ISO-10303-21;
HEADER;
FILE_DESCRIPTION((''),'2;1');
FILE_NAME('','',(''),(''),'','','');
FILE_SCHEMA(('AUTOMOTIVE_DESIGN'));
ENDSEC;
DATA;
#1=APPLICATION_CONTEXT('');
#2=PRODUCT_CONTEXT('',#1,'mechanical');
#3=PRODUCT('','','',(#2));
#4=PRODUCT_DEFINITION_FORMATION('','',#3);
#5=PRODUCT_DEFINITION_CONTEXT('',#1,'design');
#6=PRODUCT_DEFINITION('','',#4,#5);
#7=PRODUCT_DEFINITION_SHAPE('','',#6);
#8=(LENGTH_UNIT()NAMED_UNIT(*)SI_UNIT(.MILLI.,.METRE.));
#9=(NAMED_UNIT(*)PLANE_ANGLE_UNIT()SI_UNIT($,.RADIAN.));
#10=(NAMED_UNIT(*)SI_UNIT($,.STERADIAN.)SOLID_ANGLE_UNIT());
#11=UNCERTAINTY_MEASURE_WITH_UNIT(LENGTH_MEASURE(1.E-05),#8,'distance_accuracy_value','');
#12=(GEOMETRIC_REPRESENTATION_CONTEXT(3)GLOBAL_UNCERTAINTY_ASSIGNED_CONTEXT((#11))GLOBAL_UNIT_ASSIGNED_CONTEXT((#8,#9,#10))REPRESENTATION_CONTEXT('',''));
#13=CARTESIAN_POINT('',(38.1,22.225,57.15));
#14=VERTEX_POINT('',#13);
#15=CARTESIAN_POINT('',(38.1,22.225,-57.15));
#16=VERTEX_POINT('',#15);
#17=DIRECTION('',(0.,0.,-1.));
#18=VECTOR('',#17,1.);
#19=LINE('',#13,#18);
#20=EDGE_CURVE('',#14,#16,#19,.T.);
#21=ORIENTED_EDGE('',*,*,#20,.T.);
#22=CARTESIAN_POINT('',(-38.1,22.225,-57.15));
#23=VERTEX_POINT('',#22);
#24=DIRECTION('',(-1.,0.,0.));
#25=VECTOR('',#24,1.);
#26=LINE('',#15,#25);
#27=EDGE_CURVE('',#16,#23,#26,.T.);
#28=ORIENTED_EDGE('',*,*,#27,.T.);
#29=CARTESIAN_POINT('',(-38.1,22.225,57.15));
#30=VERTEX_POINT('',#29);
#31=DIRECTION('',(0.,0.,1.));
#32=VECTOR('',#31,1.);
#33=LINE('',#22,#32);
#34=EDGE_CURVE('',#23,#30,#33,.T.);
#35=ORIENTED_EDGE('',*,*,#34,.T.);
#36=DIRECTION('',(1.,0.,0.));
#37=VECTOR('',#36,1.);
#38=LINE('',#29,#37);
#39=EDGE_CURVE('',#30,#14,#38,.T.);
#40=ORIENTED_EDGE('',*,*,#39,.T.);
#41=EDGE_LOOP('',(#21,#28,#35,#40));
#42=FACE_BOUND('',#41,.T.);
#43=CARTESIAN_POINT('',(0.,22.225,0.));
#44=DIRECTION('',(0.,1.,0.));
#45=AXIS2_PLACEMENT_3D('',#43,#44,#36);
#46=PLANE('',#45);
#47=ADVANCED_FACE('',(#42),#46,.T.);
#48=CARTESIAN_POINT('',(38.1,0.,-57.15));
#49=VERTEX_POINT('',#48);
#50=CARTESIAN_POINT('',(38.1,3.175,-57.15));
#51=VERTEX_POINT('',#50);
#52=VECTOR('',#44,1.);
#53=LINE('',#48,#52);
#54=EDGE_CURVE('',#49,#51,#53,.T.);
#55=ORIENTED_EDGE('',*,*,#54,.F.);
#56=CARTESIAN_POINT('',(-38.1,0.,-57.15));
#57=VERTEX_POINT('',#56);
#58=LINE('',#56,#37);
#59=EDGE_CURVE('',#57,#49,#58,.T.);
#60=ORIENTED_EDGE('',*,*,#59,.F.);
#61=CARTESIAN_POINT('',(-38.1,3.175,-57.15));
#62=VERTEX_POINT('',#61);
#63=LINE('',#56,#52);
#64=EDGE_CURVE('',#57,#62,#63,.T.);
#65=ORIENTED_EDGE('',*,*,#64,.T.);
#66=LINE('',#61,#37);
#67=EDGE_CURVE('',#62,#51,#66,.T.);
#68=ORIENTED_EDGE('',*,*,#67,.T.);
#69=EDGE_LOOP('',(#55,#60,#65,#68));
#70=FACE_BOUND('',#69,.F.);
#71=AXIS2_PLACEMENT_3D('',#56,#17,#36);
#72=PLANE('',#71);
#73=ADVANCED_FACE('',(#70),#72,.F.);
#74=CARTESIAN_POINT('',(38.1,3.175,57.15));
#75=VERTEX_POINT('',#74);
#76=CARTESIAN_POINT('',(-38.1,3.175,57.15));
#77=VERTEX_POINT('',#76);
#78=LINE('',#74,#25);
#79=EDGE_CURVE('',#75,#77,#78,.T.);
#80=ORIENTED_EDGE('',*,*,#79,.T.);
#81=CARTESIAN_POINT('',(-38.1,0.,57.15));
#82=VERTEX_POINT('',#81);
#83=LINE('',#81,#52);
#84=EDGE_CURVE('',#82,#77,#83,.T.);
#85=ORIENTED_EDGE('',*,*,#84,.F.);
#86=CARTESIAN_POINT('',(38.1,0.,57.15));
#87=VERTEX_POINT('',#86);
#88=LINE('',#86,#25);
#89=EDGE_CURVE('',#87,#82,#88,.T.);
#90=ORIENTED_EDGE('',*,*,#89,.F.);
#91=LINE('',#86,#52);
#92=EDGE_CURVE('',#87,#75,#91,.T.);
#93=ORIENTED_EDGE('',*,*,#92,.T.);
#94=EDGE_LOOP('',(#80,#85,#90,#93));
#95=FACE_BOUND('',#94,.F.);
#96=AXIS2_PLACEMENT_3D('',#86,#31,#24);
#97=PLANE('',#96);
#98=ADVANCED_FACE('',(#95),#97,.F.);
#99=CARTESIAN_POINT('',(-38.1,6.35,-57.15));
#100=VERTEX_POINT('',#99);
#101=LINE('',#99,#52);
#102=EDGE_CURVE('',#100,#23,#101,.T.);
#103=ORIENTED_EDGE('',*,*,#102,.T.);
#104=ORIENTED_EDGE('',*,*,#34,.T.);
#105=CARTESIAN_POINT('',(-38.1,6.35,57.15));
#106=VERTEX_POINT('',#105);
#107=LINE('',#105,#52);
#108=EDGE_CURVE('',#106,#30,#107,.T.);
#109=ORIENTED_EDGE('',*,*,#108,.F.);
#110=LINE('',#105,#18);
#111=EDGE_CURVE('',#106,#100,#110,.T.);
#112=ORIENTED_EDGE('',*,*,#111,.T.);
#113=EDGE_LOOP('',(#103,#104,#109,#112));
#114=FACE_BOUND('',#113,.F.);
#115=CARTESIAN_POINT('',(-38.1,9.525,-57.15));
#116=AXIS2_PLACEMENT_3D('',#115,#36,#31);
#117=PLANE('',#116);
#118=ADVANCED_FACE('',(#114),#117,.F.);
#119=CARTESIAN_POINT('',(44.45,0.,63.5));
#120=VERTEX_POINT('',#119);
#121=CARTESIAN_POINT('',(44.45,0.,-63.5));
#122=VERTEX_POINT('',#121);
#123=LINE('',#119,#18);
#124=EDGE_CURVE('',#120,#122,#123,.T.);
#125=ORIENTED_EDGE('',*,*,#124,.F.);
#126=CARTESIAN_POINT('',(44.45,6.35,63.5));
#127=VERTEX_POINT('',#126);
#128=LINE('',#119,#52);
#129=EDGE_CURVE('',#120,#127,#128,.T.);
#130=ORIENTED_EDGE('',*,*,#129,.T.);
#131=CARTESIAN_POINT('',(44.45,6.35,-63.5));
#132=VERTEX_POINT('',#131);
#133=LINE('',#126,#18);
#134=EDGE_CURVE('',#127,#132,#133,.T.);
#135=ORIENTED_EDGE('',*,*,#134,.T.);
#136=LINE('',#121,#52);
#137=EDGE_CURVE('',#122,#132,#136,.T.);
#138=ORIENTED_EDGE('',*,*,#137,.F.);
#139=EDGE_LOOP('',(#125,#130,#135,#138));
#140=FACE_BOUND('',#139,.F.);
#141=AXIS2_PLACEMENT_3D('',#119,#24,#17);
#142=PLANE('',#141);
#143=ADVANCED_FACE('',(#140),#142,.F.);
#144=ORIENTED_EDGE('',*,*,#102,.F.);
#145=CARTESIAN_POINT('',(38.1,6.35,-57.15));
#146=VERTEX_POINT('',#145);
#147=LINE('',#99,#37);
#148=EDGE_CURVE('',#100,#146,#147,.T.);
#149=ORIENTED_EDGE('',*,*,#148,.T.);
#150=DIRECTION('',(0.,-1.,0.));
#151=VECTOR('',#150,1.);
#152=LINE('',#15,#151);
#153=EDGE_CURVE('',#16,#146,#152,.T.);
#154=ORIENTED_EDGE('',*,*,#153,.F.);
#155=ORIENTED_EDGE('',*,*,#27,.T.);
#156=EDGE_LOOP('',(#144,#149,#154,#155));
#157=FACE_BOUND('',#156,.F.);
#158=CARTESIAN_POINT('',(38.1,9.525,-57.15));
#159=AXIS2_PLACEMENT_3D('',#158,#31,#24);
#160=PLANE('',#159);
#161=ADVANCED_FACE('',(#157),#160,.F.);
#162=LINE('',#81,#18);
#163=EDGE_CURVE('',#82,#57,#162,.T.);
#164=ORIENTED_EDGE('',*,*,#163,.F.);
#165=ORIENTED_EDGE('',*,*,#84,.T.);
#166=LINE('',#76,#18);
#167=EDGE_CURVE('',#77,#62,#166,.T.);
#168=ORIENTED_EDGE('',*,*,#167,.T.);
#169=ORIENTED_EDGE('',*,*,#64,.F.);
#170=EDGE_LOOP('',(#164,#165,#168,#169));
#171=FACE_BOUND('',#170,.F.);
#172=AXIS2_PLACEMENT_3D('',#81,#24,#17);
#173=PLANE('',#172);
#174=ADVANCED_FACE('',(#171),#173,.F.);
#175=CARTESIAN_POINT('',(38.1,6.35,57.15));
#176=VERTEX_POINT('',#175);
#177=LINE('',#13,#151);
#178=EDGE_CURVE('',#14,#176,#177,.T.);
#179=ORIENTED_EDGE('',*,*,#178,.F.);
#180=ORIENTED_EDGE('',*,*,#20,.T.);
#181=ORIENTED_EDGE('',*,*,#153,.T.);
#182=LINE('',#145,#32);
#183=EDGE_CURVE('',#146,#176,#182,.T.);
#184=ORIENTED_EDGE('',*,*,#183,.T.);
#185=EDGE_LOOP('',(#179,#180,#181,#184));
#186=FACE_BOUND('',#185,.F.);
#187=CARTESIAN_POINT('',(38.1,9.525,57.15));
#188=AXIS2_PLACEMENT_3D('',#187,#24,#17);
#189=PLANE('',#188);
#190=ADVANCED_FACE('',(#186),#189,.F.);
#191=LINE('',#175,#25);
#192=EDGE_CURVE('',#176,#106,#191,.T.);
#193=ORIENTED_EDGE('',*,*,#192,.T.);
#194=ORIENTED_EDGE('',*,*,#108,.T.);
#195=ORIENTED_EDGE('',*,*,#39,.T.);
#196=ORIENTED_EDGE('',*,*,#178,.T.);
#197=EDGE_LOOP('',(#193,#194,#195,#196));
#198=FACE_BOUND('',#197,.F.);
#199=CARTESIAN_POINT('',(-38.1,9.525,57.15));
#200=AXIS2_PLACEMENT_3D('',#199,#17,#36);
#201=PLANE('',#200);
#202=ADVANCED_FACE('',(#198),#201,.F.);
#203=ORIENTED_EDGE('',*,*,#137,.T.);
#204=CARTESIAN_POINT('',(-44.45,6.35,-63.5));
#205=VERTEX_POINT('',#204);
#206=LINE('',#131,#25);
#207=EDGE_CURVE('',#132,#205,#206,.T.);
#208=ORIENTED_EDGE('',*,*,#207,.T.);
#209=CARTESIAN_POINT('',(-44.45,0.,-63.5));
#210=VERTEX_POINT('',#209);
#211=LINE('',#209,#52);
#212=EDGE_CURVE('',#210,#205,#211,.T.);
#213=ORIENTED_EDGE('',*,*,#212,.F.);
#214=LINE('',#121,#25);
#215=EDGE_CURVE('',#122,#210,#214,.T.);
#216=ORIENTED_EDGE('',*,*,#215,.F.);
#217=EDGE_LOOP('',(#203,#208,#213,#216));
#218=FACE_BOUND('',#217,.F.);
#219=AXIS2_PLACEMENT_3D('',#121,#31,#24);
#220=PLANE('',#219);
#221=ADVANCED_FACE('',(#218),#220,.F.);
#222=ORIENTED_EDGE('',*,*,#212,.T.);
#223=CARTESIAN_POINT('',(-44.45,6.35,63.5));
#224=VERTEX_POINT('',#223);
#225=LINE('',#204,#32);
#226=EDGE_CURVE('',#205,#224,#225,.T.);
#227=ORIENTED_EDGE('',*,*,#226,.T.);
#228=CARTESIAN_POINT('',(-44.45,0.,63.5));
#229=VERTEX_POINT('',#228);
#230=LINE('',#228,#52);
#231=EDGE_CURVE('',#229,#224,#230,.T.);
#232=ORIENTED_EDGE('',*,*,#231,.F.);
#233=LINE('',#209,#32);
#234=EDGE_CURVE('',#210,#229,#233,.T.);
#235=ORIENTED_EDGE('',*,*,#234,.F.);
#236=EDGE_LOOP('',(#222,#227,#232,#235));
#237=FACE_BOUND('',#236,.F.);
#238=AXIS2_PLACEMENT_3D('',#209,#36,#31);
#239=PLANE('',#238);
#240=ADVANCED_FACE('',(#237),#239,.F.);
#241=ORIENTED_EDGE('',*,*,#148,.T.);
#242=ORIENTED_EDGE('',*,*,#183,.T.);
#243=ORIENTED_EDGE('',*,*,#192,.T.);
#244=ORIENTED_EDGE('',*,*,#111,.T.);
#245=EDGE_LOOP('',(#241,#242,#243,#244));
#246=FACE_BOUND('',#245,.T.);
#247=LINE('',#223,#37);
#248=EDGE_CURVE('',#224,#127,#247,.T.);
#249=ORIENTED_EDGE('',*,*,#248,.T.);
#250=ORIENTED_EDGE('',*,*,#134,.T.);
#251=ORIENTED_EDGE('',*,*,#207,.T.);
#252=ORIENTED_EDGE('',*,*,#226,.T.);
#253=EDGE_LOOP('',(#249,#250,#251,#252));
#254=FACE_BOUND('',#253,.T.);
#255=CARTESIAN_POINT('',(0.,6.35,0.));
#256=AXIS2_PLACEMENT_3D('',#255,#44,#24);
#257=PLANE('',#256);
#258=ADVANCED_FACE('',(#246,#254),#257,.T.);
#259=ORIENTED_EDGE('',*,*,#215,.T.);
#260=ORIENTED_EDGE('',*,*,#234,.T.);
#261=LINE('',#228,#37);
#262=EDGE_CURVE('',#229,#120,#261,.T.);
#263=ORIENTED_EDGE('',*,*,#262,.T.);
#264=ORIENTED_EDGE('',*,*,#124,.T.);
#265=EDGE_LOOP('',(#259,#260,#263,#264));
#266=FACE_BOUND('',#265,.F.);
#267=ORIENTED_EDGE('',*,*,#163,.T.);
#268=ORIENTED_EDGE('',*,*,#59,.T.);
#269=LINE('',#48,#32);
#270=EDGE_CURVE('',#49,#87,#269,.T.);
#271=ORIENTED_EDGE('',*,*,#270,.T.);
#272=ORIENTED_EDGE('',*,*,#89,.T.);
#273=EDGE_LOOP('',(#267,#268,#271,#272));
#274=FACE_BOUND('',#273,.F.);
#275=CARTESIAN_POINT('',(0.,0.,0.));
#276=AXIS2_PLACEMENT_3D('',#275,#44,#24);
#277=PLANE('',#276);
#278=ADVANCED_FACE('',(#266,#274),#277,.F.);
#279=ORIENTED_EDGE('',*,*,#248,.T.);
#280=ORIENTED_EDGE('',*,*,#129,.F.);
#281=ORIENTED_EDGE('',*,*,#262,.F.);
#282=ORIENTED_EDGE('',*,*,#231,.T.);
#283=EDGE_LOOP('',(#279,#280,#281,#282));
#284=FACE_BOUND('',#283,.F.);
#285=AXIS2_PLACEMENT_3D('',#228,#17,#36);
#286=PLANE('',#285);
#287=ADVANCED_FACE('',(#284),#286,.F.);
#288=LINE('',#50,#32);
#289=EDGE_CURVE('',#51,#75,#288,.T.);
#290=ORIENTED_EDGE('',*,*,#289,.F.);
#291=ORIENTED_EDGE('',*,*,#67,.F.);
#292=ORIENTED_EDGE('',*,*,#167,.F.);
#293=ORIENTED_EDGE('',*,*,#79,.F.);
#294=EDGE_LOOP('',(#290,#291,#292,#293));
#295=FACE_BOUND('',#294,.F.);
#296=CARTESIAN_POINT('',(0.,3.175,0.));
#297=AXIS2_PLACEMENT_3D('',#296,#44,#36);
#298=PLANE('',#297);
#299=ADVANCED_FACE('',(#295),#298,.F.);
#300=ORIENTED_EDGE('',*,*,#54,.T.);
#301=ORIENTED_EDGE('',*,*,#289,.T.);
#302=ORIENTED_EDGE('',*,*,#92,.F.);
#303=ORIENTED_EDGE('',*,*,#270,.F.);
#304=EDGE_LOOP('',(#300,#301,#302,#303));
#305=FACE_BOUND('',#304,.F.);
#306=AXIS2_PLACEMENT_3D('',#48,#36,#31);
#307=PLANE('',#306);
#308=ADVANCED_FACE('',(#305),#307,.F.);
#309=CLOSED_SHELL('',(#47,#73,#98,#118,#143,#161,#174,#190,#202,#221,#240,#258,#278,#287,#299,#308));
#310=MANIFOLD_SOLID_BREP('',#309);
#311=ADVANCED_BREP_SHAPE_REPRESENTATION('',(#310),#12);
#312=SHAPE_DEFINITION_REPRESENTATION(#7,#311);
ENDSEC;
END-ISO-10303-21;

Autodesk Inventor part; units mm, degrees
ref_plane "YZ Plane" through (0, 0, 0) normal (1, 0, 0) x (0, 1, 0)
ref_plane "XZ Plane" through (0, 0, 0) normal (0, 1, 0) x (-1, 0, 0)
ref_plane "XY Plane" through (0, 0, 0) normal (0, 0, 1) x (1, 0, 0)
sketch "Sketch1" plane through (0, 0, 0) normal (0, 1, 0) x (-1, 0, 0)
  line L0 (-38.1, 57.15) -> (38.1, 57.15)
  line L1 (38.1, 57.15) -> (38.1, -57.15)
  line L2 (38.1, -57.15) -> (-38.1, -57.15)
  line L3 (-38.1, -57.15) -> (-38.1, 57.15)
  line L4 (-38.1, 57.15) -> (38.1, -57.15) construction
  line L5 (38.1, 57.15) -> (-38.1, -57.15) construction
  line L6 (44.45, -63.5) -> (44.45, 63.5)
  line L7 (44.45, 63.5) -> (-44.45, 63.5)
  line L8 (-44.45, 63.5) -> (-44.45, -63.5)
  line L9 (-44.45, -63.5) -> (44.45, -63.5)
  point P0 (0, 0)
  dimension "d0" = 76.2
  dimension "d1" = 114.3
  dimension "d2" = 6.35
extrude "Extrusion1" add sketch "Sketch1" along normal blind 6.35
sketch "Sketch2" plane through (0, 6.35, 0) normal (0, 1, 0) x (1, 0, 0)
  line L0 (-38.1, -57.15) -> (-38.1, 57.15) projected
  line L1 (-38.1, 57.15) -> (38.1, 57.15) projected
  line L2 (38.1, 57.15) -> (38.1, -57.15) projected
  line L3 (38.1, -57.15) -> (-38.1, -57.15) projected
  line L4 (-44.45, 63.5) -> (-44.45, -63.5) projected
  line L5 (-44.45, -63.5) -> (44.45, -63.5) projected
  line L6 (44.45, -63.5) -> (44.45, 63.5) projected
  line L7 (44.45, 63.5) -> (-44.45, 63.5) projected
  point P0 (0, 0)
extrude "Extrusion2" add sketch "Sketch2" along normal mid plane 6.35 contours L0 L1 L2 L3
sketch "Sketch3" plane through (0, 9.525, 0) normal (0, 1, 0) x (1, 0, 0)
  line L0 (-38.1, 57.15) -> (-38.1, -57.15) projected
  line L1 (-38.1, -57.15) -> (38.1, -57.15) projected
  line L2 (38.1, -57.15) -> (38.1, 57.15) projected
  line L3 (38.1, 57.15) -> (-38.1, 57.15) projected
  point P0 (0, 0)
extrude "Extrusion3" add sketch "Sketch3" along normal blind 12.7
properties part number "User Control Panel - Rough"
